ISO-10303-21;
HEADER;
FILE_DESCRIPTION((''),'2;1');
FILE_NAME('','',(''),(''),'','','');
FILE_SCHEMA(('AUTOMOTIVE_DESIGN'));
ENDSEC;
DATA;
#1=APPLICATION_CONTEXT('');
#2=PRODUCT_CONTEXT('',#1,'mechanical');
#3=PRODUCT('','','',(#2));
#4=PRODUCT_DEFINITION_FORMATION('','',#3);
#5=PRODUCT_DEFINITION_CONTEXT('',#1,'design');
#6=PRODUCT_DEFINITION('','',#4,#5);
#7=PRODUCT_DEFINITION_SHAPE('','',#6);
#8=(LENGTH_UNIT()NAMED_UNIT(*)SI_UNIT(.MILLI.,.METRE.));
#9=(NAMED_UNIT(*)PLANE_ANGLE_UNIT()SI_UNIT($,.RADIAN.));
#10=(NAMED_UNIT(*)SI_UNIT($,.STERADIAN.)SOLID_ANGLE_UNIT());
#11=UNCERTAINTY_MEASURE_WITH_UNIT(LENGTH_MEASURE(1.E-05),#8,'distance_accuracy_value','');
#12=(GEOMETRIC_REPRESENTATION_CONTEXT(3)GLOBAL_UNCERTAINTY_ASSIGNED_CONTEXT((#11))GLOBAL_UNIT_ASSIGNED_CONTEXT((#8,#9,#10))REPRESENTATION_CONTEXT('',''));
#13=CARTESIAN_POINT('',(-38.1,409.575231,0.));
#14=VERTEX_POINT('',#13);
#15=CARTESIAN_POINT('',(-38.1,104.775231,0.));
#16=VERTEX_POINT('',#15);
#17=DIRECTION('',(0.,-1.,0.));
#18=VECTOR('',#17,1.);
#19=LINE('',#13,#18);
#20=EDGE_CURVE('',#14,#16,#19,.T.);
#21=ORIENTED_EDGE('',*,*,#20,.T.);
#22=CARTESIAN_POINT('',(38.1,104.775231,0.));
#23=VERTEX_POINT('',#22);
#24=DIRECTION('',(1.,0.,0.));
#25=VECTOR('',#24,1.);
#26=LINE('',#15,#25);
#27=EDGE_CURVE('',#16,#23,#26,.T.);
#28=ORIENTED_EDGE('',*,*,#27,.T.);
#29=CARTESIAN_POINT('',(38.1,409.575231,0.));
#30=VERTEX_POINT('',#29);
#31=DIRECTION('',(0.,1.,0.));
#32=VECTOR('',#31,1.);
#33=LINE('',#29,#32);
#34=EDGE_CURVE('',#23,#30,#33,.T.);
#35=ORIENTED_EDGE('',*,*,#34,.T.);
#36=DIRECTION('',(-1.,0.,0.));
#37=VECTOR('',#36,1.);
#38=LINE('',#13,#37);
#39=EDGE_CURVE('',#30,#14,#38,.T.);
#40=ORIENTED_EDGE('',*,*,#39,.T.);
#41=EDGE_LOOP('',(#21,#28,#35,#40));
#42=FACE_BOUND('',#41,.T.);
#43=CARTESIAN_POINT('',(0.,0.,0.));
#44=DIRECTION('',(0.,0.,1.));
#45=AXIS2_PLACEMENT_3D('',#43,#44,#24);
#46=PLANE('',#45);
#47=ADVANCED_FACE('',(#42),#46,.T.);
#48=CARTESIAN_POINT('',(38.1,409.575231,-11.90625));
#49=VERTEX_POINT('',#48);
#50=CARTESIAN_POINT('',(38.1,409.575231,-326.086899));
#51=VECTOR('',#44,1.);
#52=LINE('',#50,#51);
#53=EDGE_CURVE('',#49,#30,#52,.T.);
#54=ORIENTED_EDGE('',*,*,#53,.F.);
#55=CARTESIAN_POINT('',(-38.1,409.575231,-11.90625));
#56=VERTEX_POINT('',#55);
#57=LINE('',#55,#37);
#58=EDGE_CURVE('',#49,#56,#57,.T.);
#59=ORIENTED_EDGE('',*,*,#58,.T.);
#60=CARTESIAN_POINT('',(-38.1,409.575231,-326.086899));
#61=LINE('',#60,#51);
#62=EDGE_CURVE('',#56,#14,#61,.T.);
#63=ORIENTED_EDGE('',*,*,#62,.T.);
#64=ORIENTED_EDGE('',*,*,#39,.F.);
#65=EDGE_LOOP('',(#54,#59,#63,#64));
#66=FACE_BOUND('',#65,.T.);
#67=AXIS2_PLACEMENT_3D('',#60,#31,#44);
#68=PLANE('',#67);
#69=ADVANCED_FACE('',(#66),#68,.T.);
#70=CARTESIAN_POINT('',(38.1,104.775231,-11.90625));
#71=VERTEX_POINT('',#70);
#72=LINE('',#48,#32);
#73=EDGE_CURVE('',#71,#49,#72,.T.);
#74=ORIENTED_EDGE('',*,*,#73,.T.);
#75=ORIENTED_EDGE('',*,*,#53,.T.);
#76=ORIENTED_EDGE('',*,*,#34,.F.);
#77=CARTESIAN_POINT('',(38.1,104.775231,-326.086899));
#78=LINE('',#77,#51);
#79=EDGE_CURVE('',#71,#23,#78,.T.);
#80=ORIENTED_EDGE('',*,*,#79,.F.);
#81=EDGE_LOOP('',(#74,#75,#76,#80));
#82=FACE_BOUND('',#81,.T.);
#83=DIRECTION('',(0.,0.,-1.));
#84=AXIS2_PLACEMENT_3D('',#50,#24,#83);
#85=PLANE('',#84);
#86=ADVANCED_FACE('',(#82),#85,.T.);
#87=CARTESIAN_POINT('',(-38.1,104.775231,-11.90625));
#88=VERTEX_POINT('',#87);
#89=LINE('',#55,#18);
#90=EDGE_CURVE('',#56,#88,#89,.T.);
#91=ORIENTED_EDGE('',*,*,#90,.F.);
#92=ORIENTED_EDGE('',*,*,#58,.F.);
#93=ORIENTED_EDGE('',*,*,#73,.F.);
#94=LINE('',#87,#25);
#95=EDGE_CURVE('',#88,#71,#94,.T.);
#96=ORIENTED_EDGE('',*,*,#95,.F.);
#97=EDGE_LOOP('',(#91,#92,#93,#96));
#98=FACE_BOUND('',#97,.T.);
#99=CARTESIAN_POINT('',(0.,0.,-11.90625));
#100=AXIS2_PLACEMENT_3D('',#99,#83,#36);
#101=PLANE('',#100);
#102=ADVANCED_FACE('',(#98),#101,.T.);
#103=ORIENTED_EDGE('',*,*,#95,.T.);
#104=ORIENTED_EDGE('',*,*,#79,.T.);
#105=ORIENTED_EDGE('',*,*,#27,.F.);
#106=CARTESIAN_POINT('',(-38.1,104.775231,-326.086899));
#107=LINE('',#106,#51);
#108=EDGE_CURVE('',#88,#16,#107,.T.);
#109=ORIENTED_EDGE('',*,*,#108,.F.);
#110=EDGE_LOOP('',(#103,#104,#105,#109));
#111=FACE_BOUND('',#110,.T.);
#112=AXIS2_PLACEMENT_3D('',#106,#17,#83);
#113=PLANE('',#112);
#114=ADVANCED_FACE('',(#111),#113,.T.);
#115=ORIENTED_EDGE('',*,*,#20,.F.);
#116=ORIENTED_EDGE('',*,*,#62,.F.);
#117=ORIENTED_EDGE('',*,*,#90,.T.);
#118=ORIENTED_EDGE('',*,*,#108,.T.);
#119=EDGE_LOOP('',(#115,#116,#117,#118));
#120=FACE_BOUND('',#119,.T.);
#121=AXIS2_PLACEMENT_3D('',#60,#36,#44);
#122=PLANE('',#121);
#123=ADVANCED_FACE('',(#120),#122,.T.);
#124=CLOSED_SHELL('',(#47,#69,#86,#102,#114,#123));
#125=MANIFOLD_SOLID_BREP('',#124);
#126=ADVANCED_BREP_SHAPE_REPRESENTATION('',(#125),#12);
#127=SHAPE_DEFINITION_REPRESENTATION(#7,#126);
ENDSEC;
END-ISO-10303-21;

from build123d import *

# Parameters (mm, degrees)
SKETCH1_W           = 76.2
SKETCH1_H           = 304.8
BOSS_EXTRUDE1_DEPTH = 11.90625


with BuildPart() as part:
    # Sketch1 → Boss-Extrude1 (new body)
    with BuildSketch(Plane.XY):
        with Locations((0, 257.175230505)):
            Rectangle(SKETCH1_W, SKETCH1_H)
    extrude(amount=-BOSS_EXTRUDE1_DEPTH)


solid = part.part
